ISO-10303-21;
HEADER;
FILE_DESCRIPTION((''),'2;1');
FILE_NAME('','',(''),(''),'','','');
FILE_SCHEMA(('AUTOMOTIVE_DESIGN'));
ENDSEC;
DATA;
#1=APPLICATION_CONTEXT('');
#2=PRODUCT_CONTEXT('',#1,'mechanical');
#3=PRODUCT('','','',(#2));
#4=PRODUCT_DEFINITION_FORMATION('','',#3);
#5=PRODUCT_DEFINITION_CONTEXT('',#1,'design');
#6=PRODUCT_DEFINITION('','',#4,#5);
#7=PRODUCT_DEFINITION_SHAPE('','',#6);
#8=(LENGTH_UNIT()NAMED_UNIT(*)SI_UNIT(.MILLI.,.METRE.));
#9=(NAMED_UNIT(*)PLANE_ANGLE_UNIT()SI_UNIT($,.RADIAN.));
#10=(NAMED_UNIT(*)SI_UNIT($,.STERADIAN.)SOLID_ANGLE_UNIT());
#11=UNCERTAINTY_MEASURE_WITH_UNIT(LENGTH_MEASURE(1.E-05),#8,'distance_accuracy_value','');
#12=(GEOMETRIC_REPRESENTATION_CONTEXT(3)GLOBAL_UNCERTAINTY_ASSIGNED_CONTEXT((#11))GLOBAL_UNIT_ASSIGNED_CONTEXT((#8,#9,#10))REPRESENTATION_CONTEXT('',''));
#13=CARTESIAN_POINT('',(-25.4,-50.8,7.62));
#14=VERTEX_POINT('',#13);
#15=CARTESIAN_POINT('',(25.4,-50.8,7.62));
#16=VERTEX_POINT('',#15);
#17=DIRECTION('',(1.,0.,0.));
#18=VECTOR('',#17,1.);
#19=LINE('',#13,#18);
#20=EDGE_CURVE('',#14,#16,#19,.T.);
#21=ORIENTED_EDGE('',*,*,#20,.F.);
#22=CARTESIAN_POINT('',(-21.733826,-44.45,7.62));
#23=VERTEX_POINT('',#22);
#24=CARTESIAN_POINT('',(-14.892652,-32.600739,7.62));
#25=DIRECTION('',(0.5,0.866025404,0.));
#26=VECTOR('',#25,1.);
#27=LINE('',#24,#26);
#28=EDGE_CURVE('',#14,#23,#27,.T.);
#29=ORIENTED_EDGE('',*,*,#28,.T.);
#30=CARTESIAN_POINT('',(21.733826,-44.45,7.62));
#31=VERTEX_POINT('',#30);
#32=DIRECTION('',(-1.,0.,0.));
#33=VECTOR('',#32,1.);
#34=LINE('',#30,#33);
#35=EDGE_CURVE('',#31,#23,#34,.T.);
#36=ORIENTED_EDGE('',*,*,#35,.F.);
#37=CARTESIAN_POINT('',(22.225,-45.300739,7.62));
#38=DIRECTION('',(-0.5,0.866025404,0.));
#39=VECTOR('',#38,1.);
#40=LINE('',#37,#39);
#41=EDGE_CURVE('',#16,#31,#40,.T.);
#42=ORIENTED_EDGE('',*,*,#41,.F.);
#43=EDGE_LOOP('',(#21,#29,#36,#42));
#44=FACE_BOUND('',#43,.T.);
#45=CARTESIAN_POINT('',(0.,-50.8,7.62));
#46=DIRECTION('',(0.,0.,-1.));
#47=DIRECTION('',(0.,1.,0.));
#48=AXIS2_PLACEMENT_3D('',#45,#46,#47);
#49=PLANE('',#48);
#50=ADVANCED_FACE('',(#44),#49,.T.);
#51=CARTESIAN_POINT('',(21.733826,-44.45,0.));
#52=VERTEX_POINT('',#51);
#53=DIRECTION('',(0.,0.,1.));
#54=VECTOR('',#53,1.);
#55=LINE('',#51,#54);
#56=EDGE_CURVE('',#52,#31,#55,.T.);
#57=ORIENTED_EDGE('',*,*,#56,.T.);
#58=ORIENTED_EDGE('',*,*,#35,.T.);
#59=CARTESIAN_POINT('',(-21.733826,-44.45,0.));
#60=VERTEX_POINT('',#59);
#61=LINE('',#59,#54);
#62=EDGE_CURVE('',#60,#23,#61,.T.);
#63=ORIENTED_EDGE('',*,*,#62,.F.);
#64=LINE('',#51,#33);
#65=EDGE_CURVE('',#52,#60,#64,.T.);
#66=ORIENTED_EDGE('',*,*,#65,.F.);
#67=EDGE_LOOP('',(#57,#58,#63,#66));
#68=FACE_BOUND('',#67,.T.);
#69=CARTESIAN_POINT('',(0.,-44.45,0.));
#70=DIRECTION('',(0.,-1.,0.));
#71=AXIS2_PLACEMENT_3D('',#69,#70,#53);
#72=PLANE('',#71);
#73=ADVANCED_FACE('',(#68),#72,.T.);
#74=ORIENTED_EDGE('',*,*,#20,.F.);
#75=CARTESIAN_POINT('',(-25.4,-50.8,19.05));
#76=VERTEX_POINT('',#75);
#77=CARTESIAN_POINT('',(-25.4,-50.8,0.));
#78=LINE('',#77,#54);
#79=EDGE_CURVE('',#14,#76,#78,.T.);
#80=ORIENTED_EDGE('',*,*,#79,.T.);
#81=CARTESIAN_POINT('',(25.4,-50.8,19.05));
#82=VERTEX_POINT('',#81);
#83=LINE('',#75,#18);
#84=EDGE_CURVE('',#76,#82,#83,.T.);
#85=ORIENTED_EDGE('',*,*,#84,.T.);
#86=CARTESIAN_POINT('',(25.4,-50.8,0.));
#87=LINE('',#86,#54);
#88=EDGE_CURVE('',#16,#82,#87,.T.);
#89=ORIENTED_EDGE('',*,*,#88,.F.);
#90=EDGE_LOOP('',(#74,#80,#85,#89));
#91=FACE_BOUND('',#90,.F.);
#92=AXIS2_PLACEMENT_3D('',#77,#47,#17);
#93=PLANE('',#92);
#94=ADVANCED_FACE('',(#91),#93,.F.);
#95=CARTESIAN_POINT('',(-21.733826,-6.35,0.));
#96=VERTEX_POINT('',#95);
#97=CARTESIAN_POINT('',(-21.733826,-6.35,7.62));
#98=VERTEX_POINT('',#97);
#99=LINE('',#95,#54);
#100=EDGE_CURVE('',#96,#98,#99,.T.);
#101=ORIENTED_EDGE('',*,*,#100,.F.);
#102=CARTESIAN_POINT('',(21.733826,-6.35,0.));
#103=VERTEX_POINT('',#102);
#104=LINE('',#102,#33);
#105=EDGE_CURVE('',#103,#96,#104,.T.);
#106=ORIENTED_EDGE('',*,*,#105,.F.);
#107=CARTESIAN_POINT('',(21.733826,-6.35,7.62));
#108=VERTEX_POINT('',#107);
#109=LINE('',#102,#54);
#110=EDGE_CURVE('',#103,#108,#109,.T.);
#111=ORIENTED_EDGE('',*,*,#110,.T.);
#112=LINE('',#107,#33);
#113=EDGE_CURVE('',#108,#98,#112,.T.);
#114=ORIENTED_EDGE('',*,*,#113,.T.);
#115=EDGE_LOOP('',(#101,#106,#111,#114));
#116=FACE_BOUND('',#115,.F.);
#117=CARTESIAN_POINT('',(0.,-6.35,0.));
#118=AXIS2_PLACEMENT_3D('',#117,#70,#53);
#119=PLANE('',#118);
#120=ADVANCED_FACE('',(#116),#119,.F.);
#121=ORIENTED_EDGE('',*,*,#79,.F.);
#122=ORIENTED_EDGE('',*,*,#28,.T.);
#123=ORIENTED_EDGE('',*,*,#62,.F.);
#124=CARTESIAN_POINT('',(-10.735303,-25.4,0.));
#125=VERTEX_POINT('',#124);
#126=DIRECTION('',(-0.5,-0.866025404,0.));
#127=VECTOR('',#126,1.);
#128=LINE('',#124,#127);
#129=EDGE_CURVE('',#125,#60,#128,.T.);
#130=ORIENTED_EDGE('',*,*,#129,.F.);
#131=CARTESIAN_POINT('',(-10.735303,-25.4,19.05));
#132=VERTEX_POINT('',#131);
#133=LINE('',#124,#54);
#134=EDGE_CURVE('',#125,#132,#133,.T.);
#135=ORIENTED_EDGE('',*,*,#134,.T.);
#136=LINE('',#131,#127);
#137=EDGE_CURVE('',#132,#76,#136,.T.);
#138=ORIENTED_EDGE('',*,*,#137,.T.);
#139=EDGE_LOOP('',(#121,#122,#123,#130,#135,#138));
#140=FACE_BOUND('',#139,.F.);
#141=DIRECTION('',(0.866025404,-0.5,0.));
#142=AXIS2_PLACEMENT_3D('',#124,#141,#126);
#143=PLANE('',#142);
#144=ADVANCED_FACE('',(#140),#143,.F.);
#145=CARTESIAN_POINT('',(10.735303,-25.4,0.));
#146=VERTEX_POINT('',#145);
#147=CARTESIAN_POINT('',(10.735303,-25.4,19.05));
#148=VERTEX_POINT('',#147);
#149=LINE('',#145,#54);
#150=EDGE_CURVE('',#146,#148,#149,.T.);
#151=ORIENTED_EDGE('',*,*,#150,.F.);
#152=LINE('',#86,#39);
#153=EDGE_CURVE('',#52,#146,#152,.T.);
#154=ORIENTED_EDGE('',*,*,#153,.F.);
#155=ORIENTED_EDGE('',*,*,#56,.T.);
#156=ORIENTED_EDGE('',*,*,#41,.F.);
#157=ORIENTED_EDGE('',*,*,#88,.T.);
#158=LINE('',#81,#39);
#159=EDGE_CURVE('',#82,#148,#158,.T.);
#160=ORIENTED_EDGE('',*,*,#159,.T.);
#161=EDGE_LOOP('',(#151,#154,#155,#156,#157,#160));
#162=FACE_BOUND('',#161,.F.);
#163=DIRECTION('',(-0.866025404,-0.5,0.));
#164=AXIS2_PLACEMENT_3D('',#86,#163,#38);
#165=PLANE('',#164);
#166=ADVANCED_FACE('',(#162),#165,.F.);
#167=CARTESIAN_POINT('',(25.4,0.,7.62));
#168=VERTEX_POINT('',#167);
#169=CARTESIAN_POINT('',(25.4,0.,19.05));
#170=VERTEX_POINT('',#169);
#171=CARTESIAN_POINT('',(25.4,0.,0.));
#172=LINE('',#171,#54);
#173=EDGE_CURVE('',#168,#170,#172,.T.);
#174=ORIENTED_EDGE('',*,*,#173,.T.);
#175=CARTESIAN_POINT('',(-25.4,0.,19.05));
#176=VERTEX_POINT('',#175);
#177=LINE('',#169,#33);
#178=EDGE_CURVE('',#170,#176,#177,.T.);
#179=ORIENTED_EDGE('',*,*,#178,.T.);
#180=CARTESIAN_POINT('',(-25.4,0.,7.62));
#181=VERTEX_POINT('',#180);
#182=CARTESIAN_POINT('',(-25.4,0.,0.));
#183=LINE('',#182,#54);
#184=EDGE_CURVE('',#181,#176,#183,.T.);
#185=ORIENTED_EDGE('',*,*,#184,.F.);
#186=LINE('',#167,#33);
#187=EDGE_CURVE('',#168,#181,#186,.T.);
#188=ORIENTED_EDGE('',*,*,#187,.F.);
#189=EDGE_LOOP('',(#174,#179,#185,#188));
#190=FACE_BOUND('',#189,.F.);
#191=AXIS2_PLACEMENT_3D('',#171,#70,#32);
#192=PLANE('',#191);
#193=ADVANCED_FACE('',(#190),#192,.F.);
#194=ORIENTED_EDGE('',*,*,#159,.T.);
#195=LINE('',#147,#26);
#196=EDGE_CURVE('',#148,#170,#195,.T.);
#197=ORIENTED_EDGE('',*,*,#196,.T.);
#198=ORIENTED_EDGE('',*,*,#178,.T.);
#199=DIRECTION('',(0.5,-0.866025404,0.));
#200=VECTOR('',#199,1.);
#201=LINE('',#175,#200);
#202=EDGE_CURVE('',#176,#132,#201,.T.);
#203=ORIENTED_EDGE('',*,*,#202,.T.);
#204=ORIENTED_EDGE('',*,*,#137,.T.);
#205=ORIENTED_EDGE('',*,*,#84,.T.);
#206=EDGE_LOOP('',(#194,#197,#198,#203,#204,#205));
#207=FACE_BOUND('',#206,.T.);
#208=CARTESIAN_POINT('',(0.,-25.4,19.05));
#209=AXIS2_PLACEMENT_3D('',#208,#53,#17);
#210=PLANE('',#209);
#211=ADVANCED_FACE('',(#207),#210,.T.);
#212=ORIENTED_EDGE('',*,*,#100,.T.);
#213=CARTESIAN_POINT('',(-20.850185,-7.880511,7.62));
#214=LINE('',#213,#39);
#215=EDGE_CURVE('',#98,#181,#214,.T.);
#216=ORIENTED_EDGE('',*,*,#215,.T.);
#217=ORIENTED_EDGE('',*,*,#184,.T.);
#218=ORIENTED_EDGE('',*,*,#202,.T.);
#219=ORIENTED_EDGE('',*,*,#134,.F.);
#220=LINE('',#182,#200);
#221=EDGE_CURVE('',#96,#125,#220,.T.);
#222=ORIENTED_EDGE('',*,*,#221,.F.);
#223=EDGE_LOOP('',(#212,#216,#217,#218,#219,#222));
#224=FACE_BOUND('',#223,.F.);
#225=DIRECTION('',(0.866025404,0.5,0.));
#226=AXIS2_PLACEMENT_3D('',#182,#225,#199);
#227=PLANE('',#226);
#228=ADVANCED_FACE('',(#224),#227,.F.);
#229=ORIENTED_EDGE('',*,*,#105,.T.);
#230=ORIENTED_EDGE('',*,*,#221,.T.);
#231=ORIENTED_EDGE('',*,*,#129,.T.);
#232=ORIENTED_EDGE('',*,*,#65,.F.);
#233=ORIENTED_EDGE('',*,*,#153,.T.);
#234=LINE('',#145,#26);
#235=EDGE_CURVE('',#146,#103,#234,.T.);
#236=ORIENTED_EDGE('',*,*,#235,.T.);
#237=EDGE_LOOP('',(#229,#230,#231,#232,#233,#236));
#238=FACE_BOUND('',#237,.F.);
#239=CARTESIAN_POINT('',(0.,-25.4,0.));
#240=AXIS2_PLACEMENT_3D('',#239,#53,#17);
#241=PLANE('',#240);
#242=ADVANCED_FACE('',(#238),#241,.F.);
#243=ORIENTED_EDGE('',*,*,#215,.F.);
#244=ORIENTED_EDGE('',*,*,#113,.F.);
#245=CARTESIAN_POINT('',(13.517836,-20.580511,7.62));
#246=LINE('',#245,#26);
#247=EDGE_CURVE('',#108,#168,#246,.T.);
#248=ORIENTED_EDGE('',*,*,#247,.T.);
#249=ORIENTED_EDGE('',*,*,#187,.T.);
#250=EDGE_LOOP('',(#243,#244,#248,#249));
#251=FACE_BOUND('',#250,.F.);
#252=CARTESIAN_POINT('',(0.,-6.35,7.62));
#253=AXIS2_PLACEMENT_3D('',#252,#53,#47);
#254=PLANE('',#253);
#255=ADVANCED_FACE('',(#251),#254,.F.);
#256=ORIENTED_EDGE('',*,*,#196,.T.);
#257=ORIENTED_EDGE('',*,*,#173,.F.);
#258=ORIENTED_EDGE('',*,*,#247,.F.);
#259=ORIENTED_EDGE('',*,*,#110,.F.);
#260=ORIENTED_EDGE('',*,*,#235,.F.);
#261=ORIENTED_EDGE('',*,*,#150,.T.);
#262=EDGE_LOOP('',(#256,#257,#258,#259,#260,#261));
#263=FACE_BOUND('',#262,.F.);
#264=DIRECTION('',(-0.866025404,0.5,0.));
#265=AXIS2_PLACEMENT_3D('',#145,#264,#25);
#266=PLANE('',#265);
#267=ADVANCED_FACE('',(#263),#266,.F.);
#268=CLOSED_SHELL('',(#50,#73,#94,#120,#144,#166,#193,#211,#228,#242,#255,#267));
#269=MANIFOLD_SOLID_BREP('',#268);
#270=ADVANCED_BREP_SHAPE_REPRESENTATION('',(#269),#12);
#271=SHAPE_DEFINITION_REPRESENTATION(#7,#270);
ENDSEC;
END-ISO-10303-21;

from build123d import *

# Parameters (mm, degrees)
F1_DEPTH      = 19.05
F2_W          = 6.35
F2_H          = 7.62
F3_DEPTH      = 25.401
F3_DEPTH_BACK = 25.4


with BuildPart() as f1:
    # F0 (on Top) → F1 (new body)
    with BuildSketch(Plane.XY):
        Polygon((25.4, 0), (0, 0), (-25.4, 0), (-10.7353031626, -25.4), (-25.4, -50.8), (0, -50.8), (25.4, -50.8), (10.7353031626, -25.4), align=None)
    extrude(amount=F1_DEPTH)

    # F2 (on Right) → F3 (cut, two sides)
    with BuildSketch(Plane.YZ) as f3_sk:
        with Locations((-3.175, 3.81)):
            Rectangle(F2_W, F2_H)
        with Locations((-47.625, 3.81)):
            Rectangle(F2_W, F2_H)
    extrude(amount=-F3_DEPTH, mode=Mode.SUBTRACT)
    extrude(f3_sk.sketch, amount=F3_DEPTH_BACK, mode=Mode.SUBTRACT)


solid = f1.part
